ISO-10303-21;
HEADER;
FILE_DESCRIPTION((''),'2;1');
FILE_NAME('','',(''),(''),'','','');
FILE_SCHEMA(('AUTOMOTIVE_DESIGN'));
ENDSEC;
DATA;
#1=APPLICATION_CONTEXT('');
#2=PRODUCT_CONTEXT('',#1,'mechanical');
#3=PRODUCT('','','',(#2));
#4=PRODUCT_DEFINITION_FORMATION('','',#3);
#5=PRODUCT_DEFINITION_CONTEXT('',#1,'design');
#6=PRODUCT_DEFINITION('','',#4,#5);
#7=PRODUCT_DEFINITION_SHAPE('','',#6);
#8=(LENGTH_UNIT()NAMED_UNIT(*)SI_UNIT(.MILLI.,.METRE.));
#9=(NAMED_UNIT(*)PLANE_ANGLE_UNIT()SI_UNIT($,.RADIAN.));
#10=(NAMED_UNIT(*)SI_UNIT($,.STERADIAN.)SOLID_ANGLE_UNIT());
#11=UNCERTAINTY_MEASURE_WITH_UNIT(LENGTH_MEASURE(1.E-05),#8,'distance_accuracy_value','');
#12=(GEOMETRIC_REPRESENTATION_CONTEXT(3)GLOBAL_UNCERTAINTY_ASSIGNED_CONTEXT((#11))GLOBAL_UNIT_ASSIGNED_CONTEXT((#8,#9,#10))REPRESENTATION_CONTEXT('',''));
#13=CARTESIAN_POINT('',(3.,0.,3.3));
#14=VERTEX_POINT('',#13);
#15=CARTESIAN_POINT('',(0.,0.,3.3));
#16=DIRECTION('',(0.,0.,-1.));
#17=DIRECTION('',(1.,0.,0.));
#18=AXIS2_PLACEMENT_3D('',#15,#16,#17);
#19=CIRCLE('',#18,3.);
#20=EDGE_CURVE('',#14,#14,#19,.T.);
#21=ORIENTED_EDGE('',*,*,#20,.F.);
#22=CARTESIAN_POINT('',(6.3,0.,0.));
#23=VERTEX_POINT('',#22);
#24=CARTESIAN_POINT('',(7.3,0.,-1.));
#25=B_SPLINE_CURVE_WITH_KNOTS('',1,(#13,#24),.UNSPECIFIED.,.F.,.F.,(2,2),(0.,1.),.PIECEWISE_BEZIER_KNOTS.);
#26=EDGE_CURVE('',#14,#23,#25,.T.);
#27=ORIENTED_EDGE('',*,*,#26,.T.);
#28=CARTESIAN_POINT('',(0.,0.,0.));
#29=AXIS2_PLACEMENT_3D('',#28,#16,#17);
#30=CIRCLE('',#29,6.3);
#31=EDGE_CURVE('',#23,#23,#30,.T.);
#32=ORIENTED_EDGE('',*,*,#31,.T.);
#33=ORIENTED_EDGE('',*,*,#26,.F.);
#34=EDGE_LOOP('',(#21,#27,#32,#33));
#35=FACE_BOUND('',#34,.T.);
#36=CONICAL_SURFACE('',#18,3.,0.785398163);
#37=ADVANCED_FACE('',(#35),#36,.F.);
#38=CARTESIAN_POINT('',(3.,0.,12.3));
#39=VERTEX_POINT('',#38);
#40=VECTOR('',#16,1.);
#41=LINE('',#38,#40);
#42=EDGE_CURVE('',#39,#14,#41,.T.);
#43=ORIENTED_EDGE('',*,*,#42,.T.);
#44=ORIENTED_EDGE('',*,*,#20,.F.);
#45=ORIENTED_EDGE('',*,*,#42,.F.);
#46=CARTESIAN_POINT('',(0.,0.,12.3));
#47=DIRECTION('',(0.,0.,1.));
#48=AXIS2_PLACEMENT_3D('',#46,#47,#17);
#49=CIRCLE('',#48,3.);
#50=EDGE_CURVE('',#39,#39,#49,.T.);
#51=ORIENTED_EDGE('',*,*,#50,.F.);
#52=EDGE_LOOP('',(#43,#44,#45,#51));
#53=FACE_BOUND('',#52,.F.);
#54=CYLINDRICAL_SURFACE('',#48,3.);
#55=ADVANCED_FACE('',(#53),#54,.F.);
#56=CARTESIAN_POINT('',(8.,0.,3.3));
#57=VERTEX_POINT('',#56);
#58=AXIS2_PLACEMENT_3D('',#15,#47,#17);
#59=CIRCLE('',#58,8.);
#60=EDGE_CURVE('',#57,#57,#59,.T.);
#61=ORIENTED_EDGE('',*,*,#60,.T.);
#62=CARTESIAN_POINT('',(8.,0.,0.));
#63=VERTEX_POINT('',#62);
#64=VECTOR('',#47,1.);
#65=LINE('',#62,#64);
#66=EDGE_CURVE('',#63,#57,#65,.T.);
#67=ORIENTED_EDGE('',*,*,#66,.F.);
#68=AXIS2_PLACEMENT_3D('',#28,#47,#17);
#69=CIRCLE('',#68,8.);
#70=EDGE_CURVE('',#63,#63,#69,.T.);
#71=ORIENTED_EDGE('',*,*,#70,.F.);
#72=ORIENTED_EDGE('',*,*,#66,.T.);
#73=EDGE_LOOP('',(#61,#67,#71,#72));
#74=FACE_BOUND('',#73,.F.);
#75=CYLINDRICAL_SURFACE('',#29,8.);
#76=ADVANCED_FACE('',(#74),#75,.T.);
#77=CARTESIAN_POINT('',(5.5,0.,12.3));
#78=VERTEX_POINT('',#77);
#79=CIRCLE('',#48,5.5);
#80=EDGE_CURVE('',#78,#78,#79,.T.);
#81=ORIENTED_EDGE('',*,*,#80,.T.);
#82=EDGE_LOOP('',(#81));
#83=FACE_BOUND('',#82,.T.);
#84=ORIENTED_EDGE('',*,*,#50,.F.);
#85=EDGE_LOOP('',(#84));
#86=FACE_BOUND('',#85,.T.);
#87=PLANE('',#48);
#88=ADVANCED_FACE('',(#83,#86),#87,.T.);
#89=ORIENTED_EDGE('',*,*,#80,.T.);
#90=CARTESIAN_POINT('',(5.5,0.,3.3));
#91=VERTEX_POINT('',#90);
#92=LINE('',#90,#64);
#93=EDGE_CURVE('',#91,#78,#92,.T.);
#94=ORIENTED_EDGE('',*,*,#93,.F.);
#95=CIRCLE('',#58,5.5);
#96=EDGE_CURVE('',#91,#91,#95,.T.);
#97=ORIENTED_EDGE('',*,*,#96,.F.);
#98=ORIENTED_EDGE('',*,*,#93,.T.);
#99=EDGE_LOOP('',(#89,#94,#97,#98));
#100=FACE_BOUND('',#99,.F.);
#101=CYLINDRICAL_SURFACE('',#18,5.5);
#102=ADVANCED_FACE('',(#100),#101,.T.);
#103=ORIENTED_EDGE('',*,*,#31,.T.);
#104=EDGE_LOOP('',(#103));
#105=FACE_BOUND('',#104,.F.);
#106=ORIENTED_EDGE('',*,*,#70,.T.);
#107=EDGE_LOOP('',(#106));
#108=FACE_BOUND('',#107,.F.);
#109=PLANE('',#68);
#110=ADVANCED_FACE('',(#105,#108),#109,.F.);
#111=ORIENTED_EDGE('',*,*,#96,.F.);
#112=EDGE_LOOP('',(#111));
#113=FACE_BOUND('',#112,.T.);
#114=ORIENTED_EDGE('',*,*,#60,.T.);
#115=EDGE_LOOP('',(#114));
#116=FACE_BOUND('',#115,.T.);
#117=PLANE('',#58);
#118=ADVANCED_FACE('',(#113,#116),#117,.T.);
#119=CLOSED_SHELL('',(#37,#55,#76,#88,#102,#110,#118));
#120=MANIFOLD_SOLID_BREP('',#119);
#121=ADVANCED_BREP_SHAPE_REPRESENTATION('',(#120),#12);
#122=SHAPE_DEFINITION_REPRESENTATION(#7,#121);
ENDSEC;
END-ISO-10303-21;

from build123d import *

# Parameters (mm, degrees)
SKETCH1_R           = 8
BOSS_EXTRUDE1_DEPTH = 3.3
SKETCH2_R           = 5.5
BOSS_EXTRUDE2_DEPTH = 9
SKETCH3_R           = 3
CUT_EXTRUDE3_DEPTH  = 4.3
CUT_EXTRUDE3_TAPER  = -45
SKETCH4_R           = 3
CUT_EXTRUDE4_DEPTH  = 13.3000001


with BuildPart() as part:
    # Sketch1 → Boss-Extrude1 (new body)
    with BuildSketch(Plane.XY):
        Circle(SKETCH1_R)
    extrude(amount=BOSS_EXTRUDE1_DEPTH)

    # Sketch2 → Boss-Extrude2 (add)
    with BuildSketch(Plane.XY.offset(3.3)):
        Circle(SKETCH2_R)
    extrude(amount=BOSS_EXTRUDE2_DEPTH)

    # Sketch3 → Cut-Extrude3 (cut, through all)
    with BuildSketch(Plane.XY.offset(3.3)):
        Circle(SKETCH3_R)
    extrude(amount=-CUT_EXTRUDE3_DEPTH, taper=CUT_EXTRUDE3_TAPER, mode=Mode.SUBTRACT)

    # Sketch4 → Cut-Extrude4 (cut, through all)
    with BuildSketch(Plane.XY.offset(12.3)):
        Circle(SKETCH4_R)
    extrude(amount=-CUT_EXTRUDE4_DEPTH, mode=Mode.SUBTRACT)


solid = part.part
